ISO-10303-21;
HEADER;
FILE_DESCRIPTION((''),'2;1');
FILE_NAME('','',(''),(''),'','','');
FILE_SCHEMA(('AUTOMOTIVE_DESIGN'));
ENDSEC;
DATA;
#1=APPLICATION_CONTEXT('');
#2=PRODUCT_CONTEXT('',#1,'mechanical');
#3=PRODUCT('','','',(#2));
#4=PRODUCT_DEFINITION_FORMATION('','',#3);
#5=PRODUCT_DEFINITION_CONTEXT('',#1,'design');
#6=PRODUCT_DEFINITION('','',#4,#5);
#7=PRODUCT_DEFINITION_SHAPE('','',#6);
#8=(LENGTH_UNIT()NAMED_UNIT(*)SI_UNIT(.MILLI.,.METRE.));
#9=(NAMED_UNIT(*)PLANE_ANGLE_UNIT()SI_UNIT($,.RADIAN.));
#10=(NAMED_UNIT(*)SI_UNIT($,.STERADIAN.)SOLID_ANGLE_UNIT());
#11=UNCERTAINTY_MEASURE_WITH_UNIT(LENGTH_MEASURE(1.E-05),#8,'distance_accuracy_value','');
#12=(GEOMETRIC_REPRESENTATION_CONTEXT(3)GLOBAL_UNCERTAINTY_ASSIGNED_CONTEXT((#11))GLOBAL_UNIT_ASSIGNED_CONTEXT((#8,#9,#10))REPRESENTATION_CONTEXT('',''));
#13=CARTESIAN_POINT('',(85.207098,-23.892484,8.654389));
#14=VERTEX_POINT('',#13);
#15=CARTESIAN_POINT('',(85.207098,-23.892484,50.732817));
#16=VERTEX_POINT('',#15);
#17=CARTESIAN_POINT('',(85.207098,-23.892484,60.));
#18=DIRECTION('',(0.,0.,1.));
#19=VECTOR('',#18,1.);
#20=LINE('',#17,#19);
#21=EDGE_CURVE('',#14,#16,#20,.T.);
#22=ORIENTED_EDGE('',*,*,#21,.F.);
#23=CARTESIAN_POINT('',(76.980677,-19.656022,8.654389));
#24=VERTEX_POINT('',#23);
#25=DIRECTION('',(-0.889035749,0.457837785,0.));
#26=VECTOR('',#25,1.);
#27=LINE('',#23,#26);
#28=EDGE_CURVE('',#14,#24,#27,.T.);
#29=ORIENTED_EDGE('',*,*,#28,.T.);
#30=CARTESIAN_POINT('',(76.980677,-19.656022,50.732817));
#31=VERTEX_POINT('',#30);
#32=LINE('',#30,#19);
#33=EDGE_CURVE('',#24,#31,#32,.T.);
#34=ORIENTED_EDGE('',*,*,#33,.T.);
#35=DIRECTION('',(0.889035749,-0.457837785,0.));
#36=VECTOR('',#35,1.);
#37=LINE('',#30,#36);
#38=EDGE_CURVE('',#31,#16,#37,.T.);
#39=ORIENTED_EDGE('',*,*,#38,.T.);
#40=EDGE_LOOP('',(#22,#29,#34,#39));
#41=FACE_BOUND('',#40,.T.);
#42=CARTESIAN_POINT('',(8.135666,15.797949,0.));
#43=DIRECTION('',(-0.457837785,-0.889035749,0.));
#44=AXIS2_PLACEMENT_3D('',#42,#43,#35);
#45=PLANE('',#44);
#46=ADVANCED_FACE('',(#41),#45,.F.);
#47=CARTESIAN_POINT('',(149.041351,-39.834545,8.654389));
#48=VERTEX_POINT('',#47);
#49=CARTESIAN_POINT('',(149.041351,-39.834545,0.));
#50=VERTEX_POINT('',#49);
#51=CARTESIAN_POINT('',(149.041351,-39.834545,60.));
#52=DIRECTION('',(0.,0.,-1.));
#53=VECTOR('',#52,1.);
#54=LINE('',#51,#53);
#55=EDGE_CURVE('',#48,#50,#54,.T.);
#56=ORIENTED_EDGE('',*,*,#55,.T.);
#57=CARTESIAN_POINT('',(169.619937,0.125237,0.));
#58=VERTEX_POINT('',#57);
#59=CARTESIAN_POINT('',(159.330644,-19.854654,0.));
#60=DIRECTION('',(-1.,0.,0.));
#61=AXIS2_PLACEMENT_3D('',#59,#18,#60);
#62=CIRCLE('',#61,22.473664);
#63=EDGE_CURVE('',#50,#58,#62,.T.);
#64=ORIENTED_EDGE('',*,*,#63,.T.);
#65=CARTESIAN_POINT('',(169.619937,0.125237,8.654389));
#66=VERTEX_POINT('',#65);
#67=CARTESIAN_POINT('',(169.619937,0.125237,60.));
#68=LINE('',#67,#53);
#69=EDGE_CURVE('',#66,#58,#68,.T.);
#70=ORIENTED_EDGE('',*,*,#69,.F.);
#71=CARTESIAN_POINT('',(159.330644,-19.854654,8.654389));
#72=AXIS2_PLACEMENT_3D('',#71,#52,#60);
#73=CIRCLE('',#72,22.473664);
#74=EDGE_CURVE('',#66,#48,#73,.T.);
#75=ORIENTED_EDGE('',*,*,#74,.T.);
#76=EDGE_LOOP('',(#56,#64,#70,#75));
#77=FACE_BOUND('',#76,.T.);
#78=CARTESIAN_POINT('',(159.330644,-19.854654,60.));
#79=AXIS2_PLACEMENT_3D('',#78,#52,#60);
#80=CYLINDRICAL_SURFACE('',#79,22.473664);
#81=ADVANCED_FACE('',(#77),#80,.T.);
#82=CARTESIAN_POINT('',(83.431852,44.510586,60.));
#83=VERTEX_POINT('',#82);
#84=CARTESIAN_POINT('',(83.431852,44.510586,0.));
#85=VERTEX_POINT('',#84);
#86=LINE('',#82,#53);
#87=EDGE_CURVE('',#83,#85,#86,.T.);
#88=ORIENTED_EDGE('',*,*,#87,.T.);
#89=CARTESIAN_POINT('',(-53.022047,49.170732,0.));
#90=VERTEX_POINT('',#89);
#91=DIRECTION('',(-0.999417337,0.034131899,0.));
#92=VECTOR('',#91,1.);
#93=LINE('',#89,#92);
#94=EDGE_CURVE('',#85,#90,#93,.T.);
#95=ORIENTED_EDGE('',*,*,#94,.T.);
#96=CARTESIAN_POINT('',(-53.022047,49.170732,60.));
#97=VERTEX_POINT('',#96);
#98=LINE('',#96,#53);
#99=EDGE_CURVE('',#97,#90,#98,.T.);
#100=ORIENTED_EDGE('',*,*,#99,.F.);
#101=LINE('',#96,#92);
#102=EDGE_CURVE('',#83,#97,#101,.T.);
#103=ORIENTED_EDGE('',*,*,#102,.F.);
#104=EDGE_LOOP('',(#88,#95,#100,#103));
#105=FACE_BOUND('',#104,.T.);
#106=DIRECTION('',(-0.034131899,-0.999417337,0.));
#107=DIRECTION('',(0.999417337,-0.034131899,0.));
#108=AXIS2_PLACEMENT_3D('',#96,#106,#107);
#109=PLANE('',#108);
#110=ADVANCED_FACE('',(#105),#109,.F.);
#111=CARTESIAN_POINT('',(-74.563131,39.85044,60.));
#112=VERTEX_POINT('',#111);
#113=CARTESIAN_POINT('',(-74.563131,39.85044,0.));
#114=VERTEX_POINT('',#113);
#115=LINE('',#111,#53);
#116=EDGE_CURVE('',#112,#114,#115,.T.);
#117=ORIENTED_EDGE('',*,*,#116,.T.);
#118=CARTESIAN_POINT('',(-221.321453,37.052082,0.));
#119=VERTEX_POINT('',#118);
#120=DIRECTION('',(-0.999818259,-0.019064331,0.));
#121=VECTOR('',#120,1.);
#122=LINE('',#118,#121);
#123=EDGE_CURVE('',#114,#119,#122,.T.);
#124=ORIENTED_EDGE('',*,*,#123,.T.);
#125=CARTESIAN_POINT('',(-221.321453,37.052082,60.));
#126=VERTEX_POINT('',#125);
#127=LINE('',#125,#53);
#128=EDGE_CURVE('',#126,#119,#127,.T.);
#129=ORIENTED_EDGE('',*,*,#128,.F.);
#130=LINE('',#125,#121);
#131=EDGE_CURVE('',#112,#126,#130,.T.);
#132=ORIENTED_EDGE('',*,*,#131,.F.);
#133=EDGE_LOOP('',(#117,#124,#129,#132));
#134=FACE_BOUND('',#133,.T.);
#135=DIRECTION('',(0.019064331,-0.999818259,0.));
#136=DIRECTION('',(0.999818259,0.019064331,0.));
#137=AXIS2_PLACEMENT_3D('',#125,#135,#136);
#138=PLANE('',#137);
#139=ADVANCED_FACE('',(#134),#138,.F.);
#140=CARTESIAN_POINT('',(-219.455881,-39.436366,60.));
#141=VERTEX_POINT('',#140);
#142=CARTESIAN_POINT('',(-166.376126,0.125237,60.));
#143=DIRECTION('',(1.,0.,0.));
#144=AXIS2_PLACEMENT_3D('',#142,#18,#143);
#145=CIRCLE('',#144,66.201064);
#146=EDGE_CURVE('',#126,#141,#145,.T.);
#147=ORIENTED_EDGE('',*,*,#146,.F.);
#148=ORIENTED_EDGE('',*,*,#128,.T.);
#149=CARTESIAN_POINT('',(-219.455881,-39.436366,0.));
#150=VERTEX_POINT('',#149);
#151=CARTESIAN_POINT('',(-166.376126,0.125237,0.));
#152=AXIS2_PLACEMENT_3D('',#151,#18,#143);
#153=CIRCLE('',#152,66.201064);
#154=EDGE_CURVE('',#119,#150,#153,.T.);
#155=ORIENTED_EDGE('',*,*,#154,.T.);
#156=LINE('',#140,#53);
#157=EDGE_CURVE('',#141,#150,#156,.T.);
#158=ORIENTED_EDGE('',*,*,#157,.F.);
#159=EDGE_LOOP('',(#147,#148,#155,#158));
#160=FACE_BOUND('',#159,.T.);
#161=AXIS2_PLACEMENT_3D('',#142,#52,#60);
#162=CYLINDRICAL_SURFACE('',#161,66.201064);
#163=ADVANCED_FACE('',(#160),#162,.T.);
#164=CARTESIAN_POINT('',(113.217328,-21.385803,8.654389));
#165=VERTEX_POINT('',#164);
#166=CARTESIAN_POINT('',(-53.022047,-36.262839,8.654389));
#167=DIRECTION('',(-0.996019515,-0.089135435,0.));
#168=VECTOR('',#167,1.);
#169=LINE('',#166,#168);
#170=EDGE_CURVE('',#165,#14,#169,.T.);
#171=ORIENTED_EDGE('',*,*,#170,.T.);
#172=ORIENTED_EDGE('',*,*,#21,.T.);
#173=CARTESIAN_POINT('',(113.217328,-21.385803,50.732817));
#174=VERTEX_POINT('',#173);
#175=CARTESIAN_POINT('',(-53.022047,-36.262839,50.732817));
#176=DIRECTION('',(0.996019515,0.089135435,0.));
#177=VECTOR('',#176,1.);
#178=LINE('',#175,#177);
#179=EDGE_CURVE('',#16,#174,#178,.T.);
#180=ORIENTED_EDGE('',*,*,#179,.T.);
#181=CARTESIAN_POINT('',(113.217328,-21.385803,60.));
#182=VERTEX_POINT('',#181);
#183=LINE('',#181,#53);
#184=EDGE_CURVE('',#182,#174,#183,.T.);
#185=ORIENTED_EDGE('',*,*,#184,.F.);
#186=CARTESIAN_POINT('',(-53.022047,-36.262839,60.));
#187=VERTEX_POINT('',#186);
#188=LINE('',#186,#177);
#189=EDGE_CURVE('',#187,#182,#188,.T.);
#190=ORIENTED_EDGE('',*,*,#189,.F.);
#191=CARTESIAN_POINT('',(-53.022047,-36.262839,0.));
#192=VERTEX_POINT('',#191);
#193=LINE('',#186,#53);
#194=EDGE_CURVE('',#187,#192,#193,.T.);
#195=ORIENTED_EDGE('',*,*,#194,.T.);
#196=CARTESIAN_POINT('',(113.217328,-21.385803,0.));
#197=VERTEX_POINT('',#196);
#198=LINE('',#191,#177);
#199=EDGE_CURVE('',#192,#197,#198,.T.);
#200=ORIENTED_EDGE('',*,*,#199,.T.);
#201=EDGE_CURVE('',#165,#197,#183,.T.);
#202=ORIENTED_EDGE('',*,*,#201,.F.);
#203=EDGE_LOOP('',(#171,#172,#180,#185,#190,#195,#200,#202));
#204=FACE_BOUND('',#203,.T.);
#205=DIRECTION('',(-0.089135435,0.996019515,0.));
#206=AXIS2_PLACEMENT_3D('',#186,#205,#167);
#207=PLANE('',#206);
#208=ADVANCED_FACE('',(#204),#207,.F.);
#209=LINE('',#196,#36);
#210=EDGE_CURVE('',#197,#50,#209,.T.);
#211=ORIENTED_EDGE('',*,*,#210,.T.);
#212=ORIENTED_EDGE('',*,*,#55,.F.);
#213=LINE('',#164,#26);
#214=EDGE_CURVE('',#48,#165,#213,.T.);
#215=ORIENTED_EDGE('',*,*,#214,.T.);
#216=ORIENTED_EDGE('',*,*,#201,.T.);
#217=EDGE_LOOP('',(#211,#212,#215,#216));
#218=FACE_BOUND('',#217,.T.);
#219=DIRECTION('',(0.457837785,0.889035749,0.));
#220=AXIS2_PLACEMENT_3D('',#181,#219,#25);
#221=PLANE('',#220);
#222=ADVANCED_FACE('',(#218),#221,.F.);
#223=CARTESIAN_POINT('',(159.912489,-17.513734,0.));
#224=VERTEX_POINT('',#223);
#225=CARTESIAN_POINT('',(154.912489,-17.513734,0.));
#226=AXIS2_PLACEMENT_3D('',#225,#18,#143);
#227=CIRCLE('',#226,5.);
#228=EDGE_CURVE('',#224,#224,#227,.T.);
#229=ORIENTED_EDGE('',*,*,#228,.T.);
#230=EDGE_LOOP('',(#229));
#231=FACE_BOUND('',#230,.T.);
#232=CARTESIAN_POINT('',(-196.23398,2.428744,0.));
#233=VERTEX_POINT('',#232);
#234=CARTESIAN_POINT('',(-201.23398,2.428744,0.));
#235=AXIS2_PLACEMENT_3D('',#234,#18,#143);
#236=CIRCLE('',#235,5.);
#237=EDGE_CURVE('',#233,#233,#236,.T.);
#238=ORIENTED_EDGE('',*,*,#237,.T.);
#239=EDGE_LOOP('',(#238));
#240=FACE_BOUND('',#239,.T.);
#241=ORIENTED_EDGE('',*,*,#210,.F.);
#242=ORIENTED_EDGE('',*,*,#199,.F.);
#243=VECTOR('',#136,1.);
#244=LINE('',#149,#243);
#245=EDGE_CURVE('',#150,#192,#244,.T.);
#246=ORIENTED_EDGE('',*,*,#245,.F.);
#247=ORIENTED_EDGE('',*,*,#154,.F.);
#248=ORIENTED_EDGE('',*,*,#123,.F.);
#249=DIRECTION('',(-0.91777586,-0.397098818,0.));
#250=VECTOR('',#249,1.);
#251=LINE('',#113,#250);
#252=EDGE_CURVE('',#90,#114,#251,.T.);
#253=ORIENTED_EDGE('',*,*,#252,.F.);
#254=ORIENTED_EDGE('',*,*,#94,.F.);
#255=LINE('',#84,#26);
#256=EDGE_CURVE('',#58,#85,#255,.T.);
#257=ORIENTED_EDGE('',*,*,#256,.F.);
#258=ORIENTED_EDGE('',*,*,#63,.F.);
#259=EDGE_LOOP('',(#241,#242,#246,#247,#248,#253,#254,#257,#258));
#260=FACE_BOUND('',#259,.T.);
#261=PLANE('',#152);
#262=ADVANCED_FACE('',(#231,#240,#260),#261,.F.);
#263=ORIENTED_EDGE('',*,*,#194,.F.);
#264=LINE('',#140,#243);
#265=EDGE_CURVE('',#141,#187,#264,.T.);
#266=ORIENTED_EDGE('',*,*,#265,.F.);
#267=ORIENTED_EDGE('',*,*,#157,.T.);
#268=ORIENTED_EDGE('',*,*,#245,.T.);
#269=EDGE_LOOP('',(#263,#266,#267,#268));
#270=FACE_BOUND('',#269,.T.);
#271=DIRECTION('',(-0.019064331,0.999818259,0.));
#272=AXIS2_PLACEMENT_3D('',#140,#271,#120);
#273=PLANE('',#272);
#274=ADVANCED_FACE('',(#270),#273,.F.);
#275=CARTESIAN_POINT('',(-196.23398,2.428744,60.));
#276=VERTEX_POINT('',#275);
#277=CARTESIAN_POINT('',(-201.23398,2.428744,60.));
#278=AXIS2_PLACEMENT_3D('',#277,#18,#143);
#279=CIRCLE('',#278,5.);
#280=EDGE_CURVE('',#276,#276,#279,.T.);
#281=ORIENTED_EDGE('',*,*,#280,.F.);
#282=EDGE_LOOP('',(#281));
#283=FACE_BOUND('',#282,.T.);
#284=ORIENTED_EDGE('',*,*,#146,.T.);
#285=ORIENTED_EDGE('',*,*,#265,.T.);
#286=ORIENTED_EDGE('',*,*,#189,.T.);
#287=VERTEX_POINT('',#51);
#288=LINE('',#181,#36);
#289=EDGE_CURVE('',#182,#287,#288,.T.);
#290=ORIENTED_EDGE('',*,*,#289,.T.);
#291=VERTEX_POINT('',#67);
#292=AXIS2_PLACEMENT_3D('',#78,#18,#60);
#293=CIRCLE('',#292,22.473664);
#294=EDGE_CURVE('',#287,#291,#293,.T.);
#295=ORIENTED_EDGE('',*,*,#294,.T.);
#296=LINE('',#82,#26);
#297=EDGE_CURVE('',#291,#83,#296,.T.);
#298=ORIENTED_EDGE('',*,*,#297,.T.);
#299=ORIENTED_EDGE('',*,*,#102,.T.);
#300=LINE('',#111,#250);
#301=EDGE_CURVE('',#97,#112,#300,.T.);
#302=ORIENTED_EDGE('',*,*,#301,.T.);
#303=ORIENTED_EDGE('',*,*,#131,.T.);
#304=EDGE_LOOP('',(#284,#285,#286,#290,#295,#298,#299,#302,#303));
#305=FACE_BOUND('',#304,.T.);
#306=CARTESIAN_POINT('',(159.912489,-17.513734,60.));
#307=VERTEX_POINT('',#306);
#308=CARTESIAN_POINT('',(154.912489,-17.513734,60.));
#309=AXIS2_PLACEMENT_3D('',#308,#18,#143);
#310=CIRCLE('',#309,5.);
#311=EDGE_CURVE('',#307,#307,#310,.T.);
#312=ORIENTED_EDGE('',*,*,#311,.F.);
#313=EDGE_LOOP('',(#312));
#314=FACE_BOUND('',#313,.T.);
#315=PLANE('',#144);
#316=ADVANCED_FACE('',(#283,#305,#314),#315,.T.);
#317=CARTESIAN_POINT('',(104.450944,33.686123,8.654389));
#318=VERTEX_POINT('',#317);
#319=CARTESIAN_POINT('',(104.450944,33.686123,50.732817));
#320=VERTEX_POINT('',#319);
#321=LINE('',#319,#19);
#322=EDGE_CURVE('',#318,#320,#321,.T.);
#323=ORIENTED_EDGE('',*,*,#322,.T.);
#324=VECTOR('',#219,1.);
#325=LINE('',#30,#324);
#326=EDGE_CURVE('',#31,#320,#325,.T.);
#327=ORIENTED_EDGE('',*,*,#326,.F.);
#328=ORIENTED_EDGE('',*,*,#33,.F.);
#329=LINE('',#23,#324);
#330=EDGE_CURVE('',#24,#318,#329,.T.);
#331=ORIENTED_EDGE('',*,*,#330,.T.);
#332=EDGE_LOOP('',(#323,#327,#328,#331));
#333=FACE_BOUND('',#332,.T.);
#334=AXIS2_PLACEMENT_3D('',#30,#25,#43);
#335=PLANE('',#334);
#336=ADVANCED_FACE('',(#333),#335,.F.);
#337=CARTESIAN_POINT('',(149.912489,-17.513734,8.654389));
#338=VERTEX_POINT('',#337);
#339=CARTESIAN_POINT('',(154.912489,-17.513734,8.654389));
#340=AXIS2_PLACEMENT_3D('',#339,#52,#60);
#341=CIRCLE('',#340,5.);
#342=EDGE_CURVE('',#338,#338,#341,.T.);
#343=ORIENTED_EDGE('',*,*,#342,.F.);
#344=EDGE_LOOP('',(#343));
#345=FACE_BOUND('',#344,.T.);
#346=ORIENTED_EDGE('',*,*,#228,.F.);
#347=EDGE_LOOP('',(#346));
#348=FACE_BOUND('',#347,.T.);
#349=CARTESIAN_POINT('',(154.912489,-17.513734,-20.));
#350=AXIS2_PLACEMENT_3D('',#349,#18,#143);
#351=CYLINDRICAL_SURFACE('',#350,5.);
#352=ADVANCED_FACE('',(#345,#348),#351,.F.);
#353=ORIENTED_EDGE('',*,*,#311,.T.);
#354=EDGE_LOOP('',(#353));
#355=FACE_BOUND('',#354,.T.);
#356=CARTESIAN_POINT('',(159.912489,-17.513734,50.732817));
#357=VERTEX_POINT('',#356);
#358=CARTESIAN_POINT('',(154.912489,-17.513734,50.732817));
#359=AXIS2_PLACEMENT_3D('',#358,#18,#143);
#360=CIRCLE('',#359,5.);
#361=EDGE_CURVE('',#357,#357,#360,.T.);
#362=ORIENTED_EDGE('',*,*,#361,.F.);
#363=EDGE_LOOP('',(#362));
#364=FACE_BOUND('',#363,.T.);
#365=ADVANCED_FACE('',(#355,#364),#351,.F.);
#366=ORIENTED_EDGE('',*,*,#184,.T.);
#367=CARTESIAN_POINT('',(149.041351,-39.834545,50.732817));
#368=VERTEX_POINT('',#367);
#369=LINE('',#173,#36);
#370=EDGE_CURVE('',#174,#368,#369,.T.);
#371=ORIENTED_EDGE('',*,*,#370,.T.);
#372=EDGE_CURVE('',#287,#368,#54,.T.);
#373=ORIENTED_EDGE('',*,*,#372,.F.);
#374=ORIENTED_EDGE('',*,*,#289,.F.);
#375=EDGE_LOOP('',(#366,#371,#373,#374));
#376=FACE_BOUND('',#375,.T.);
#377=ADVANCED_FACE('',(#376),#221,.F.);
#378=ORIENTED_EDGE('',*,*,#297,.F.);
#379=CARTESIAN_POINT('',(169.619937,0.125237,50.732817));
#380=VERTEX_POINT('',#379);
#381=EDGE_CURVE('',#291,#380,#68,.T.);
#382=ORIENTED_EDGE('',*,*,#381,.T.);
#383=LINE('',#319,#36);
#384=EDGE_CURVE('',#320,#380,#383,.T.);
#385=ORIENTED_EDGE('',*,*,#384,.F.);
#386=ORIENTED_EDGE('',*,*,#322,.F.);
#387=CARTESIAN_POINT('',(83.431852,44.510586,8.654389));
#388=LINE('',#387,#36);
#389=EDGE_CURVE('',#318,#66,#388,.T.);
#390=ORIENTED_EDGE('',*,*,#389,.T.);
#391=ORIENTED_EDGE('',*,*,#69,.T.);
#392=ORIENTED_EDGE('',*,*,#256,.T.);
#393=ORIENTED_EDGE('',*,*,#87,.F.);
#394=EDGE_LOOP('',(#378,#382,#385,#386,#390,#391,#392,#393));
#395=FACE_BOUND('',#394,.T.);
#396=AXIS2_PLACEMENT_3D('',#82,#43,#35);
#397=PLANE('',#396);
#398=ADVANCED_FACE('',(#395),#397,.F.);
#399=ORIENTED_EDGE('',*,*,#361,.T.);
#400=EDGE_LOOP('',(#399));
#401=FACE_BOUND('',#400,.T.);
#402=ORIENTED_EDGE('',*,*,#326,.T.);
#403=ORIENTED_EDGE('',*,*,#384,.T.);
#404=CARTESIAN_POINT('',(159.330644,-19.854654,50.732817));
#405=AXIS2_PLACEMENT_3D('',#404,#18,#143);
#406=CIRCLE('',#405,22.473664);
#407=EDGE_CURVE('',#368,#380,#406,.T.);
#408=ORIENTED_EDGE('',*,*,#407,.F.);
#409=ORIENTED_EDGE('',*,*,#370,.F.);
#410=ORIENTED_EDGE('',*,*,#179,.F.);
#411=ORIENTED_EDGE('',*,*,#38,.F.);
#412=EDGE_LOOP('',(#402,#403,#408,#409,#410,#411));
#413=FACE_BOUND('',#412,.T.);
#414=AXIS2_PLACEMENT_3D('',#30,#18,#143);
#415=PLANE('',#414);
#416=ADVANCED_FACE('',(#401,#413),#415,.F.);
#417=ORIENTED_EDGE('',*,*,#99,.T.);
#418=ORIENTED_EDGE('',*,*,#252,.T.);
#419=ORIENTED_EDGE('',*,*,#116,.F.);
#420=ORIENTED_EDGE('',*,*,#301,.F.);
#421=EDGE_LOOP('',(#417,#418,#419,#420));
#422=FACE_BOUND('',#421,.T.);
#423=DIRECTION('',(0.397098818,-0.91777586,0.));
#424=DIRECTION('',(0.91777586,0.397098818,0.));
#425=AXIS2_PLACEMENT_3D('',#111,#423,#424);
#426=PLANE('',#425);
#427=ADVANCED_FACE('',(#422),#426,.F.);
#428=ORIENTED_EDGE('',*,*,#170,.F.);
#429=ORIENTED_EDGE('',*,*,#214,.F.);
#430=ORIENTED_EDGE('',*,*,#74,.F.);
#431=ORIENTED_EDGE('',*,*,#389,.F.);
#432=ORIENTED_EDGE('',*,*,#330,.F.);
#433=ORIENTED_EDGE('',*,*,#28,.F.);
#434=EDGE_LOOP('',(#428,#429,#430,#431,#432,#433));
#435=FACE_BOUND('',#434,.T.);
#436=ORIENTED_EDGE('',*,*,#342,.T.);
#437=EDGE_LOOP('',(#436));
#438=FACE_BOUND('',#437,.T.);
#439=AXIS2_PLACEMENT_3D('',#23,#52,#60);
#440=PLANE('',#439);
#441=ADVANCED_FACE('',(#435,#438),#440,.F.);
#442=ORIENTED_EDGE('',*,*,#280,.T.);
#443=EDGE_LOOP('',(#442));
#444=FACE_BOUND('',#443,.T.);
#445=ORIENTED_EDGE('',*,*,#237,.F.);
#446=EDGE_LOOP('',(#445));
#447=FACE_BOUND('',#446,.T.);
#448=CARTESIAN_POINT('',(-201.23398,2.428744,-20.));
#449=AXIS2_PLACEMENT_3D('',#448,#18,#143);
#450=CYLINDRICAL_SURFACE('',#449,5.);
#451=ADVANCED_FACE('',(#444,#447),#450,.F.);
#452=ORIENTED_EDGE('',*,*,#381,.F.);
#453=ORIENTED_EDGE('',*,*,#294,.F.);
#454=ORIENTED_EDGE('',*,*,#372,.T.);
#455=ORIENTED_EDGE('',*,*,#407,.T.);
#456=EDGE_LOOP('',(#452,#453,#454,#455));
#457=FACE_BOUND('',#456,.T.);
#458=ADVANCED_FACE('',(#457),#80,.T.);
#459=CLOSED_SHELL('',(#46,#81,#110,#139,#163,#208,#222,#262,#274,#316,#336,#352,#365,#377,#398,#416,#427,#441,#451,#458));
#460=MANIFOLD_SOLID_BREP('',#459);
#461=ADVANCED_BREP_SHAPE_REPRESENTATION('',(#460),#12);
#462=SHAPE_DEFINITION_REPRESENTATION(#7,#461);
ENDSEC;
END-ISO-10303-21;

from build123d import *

# Parameters (mm, degrees)
BOSS_EXTRUDE1_DEPTH = 60
SKETCH6_W           = 104.365742104
SKETCH6_H           = 42.078428343
CUT_EXTRUDE1_DEPTH  = 60
SKETCH7_R           = 5
CUT_EXTRUDE2_DEPTH  = 80
SKETCH8_R           = 5
CUT_EXTRUDE3_DEPTH  = 80


with BuildPart() as part:
    # Sketch1 → Boss-Extrude1 (new body)
    with BuildSketch(Plane.XY):
        with BuildLine():
            Line((-221.321453318, 37.052081842), (-74.563130632, 39.85043969))
            Line((-74.563130632, 39.85043969), (-53.022046647, 49.170731686))
            Line((-53.022046647, 49.170731686), (83.431852104, 44.510585688))
            Line((83.431852104, 44.510585688), (169.619936548, 0.125236974))
            ThreePointArc((169.619936548, 0.125236974), (179.310534794, -30.143946614), (149.041351206, -39.83454486))
            Line((149.041351206, -39.83454486), (113.217328202, -21.385802628))
            Line((113.217328202, -21.385802628), (-53.022046647, -36.262839488))
            Line((-53.022046647, -36.262839488), (-219.455881419, -39.436365998))
            ThreePointArc((-219.455881419, -39.436365998), (-232.557507777, -1.488943064), (-221.321453318, 37.052081842))
        make_face()
    extrude(amount=BOSS_EXTRUDE1_DEPTH)

    # Sketch6 → Cut-Extrude1 (cut)
    with BuildSketch(Plane(origin=(35.60593299, 69.14009348, 0), x_dir=(0.889035749, -0.457837785, 0), z_dir=(0.457837785, 0.889035749, 0))):
        with Locations((129.620714118, -29.693602711)):
            Rectangle(SKETCH6_W, SKETCH6_H)
    extrude(amount=-CUT_EXTRUDE1_DEPTH, mode=Mode.SUBTRACT)

    # Sketch7 → Cut-Extrude2 (cut)
    with BuildSketch(Plane.XY.offset(60)):
        with Locations((-201.23397976, 2.428743615)):
            Circle(SKETCH7_R)
    extrude(amount=-CUT_EXTRUDE2_DEPTH, mode=Mode.SUBTRACT)

    # Sketch8 → Cut-Extrude3 (cut)
    with BuildSketch(Plane.XY.offset(60)):
        with Locations((154.912488727, -17.513734237)):
            Circle(SKETCH8_R)
    extrude(amount=-CUT_EXTRUDE3_DEPTH, mode=Mode.SUBTRACT)


solid = part.part
